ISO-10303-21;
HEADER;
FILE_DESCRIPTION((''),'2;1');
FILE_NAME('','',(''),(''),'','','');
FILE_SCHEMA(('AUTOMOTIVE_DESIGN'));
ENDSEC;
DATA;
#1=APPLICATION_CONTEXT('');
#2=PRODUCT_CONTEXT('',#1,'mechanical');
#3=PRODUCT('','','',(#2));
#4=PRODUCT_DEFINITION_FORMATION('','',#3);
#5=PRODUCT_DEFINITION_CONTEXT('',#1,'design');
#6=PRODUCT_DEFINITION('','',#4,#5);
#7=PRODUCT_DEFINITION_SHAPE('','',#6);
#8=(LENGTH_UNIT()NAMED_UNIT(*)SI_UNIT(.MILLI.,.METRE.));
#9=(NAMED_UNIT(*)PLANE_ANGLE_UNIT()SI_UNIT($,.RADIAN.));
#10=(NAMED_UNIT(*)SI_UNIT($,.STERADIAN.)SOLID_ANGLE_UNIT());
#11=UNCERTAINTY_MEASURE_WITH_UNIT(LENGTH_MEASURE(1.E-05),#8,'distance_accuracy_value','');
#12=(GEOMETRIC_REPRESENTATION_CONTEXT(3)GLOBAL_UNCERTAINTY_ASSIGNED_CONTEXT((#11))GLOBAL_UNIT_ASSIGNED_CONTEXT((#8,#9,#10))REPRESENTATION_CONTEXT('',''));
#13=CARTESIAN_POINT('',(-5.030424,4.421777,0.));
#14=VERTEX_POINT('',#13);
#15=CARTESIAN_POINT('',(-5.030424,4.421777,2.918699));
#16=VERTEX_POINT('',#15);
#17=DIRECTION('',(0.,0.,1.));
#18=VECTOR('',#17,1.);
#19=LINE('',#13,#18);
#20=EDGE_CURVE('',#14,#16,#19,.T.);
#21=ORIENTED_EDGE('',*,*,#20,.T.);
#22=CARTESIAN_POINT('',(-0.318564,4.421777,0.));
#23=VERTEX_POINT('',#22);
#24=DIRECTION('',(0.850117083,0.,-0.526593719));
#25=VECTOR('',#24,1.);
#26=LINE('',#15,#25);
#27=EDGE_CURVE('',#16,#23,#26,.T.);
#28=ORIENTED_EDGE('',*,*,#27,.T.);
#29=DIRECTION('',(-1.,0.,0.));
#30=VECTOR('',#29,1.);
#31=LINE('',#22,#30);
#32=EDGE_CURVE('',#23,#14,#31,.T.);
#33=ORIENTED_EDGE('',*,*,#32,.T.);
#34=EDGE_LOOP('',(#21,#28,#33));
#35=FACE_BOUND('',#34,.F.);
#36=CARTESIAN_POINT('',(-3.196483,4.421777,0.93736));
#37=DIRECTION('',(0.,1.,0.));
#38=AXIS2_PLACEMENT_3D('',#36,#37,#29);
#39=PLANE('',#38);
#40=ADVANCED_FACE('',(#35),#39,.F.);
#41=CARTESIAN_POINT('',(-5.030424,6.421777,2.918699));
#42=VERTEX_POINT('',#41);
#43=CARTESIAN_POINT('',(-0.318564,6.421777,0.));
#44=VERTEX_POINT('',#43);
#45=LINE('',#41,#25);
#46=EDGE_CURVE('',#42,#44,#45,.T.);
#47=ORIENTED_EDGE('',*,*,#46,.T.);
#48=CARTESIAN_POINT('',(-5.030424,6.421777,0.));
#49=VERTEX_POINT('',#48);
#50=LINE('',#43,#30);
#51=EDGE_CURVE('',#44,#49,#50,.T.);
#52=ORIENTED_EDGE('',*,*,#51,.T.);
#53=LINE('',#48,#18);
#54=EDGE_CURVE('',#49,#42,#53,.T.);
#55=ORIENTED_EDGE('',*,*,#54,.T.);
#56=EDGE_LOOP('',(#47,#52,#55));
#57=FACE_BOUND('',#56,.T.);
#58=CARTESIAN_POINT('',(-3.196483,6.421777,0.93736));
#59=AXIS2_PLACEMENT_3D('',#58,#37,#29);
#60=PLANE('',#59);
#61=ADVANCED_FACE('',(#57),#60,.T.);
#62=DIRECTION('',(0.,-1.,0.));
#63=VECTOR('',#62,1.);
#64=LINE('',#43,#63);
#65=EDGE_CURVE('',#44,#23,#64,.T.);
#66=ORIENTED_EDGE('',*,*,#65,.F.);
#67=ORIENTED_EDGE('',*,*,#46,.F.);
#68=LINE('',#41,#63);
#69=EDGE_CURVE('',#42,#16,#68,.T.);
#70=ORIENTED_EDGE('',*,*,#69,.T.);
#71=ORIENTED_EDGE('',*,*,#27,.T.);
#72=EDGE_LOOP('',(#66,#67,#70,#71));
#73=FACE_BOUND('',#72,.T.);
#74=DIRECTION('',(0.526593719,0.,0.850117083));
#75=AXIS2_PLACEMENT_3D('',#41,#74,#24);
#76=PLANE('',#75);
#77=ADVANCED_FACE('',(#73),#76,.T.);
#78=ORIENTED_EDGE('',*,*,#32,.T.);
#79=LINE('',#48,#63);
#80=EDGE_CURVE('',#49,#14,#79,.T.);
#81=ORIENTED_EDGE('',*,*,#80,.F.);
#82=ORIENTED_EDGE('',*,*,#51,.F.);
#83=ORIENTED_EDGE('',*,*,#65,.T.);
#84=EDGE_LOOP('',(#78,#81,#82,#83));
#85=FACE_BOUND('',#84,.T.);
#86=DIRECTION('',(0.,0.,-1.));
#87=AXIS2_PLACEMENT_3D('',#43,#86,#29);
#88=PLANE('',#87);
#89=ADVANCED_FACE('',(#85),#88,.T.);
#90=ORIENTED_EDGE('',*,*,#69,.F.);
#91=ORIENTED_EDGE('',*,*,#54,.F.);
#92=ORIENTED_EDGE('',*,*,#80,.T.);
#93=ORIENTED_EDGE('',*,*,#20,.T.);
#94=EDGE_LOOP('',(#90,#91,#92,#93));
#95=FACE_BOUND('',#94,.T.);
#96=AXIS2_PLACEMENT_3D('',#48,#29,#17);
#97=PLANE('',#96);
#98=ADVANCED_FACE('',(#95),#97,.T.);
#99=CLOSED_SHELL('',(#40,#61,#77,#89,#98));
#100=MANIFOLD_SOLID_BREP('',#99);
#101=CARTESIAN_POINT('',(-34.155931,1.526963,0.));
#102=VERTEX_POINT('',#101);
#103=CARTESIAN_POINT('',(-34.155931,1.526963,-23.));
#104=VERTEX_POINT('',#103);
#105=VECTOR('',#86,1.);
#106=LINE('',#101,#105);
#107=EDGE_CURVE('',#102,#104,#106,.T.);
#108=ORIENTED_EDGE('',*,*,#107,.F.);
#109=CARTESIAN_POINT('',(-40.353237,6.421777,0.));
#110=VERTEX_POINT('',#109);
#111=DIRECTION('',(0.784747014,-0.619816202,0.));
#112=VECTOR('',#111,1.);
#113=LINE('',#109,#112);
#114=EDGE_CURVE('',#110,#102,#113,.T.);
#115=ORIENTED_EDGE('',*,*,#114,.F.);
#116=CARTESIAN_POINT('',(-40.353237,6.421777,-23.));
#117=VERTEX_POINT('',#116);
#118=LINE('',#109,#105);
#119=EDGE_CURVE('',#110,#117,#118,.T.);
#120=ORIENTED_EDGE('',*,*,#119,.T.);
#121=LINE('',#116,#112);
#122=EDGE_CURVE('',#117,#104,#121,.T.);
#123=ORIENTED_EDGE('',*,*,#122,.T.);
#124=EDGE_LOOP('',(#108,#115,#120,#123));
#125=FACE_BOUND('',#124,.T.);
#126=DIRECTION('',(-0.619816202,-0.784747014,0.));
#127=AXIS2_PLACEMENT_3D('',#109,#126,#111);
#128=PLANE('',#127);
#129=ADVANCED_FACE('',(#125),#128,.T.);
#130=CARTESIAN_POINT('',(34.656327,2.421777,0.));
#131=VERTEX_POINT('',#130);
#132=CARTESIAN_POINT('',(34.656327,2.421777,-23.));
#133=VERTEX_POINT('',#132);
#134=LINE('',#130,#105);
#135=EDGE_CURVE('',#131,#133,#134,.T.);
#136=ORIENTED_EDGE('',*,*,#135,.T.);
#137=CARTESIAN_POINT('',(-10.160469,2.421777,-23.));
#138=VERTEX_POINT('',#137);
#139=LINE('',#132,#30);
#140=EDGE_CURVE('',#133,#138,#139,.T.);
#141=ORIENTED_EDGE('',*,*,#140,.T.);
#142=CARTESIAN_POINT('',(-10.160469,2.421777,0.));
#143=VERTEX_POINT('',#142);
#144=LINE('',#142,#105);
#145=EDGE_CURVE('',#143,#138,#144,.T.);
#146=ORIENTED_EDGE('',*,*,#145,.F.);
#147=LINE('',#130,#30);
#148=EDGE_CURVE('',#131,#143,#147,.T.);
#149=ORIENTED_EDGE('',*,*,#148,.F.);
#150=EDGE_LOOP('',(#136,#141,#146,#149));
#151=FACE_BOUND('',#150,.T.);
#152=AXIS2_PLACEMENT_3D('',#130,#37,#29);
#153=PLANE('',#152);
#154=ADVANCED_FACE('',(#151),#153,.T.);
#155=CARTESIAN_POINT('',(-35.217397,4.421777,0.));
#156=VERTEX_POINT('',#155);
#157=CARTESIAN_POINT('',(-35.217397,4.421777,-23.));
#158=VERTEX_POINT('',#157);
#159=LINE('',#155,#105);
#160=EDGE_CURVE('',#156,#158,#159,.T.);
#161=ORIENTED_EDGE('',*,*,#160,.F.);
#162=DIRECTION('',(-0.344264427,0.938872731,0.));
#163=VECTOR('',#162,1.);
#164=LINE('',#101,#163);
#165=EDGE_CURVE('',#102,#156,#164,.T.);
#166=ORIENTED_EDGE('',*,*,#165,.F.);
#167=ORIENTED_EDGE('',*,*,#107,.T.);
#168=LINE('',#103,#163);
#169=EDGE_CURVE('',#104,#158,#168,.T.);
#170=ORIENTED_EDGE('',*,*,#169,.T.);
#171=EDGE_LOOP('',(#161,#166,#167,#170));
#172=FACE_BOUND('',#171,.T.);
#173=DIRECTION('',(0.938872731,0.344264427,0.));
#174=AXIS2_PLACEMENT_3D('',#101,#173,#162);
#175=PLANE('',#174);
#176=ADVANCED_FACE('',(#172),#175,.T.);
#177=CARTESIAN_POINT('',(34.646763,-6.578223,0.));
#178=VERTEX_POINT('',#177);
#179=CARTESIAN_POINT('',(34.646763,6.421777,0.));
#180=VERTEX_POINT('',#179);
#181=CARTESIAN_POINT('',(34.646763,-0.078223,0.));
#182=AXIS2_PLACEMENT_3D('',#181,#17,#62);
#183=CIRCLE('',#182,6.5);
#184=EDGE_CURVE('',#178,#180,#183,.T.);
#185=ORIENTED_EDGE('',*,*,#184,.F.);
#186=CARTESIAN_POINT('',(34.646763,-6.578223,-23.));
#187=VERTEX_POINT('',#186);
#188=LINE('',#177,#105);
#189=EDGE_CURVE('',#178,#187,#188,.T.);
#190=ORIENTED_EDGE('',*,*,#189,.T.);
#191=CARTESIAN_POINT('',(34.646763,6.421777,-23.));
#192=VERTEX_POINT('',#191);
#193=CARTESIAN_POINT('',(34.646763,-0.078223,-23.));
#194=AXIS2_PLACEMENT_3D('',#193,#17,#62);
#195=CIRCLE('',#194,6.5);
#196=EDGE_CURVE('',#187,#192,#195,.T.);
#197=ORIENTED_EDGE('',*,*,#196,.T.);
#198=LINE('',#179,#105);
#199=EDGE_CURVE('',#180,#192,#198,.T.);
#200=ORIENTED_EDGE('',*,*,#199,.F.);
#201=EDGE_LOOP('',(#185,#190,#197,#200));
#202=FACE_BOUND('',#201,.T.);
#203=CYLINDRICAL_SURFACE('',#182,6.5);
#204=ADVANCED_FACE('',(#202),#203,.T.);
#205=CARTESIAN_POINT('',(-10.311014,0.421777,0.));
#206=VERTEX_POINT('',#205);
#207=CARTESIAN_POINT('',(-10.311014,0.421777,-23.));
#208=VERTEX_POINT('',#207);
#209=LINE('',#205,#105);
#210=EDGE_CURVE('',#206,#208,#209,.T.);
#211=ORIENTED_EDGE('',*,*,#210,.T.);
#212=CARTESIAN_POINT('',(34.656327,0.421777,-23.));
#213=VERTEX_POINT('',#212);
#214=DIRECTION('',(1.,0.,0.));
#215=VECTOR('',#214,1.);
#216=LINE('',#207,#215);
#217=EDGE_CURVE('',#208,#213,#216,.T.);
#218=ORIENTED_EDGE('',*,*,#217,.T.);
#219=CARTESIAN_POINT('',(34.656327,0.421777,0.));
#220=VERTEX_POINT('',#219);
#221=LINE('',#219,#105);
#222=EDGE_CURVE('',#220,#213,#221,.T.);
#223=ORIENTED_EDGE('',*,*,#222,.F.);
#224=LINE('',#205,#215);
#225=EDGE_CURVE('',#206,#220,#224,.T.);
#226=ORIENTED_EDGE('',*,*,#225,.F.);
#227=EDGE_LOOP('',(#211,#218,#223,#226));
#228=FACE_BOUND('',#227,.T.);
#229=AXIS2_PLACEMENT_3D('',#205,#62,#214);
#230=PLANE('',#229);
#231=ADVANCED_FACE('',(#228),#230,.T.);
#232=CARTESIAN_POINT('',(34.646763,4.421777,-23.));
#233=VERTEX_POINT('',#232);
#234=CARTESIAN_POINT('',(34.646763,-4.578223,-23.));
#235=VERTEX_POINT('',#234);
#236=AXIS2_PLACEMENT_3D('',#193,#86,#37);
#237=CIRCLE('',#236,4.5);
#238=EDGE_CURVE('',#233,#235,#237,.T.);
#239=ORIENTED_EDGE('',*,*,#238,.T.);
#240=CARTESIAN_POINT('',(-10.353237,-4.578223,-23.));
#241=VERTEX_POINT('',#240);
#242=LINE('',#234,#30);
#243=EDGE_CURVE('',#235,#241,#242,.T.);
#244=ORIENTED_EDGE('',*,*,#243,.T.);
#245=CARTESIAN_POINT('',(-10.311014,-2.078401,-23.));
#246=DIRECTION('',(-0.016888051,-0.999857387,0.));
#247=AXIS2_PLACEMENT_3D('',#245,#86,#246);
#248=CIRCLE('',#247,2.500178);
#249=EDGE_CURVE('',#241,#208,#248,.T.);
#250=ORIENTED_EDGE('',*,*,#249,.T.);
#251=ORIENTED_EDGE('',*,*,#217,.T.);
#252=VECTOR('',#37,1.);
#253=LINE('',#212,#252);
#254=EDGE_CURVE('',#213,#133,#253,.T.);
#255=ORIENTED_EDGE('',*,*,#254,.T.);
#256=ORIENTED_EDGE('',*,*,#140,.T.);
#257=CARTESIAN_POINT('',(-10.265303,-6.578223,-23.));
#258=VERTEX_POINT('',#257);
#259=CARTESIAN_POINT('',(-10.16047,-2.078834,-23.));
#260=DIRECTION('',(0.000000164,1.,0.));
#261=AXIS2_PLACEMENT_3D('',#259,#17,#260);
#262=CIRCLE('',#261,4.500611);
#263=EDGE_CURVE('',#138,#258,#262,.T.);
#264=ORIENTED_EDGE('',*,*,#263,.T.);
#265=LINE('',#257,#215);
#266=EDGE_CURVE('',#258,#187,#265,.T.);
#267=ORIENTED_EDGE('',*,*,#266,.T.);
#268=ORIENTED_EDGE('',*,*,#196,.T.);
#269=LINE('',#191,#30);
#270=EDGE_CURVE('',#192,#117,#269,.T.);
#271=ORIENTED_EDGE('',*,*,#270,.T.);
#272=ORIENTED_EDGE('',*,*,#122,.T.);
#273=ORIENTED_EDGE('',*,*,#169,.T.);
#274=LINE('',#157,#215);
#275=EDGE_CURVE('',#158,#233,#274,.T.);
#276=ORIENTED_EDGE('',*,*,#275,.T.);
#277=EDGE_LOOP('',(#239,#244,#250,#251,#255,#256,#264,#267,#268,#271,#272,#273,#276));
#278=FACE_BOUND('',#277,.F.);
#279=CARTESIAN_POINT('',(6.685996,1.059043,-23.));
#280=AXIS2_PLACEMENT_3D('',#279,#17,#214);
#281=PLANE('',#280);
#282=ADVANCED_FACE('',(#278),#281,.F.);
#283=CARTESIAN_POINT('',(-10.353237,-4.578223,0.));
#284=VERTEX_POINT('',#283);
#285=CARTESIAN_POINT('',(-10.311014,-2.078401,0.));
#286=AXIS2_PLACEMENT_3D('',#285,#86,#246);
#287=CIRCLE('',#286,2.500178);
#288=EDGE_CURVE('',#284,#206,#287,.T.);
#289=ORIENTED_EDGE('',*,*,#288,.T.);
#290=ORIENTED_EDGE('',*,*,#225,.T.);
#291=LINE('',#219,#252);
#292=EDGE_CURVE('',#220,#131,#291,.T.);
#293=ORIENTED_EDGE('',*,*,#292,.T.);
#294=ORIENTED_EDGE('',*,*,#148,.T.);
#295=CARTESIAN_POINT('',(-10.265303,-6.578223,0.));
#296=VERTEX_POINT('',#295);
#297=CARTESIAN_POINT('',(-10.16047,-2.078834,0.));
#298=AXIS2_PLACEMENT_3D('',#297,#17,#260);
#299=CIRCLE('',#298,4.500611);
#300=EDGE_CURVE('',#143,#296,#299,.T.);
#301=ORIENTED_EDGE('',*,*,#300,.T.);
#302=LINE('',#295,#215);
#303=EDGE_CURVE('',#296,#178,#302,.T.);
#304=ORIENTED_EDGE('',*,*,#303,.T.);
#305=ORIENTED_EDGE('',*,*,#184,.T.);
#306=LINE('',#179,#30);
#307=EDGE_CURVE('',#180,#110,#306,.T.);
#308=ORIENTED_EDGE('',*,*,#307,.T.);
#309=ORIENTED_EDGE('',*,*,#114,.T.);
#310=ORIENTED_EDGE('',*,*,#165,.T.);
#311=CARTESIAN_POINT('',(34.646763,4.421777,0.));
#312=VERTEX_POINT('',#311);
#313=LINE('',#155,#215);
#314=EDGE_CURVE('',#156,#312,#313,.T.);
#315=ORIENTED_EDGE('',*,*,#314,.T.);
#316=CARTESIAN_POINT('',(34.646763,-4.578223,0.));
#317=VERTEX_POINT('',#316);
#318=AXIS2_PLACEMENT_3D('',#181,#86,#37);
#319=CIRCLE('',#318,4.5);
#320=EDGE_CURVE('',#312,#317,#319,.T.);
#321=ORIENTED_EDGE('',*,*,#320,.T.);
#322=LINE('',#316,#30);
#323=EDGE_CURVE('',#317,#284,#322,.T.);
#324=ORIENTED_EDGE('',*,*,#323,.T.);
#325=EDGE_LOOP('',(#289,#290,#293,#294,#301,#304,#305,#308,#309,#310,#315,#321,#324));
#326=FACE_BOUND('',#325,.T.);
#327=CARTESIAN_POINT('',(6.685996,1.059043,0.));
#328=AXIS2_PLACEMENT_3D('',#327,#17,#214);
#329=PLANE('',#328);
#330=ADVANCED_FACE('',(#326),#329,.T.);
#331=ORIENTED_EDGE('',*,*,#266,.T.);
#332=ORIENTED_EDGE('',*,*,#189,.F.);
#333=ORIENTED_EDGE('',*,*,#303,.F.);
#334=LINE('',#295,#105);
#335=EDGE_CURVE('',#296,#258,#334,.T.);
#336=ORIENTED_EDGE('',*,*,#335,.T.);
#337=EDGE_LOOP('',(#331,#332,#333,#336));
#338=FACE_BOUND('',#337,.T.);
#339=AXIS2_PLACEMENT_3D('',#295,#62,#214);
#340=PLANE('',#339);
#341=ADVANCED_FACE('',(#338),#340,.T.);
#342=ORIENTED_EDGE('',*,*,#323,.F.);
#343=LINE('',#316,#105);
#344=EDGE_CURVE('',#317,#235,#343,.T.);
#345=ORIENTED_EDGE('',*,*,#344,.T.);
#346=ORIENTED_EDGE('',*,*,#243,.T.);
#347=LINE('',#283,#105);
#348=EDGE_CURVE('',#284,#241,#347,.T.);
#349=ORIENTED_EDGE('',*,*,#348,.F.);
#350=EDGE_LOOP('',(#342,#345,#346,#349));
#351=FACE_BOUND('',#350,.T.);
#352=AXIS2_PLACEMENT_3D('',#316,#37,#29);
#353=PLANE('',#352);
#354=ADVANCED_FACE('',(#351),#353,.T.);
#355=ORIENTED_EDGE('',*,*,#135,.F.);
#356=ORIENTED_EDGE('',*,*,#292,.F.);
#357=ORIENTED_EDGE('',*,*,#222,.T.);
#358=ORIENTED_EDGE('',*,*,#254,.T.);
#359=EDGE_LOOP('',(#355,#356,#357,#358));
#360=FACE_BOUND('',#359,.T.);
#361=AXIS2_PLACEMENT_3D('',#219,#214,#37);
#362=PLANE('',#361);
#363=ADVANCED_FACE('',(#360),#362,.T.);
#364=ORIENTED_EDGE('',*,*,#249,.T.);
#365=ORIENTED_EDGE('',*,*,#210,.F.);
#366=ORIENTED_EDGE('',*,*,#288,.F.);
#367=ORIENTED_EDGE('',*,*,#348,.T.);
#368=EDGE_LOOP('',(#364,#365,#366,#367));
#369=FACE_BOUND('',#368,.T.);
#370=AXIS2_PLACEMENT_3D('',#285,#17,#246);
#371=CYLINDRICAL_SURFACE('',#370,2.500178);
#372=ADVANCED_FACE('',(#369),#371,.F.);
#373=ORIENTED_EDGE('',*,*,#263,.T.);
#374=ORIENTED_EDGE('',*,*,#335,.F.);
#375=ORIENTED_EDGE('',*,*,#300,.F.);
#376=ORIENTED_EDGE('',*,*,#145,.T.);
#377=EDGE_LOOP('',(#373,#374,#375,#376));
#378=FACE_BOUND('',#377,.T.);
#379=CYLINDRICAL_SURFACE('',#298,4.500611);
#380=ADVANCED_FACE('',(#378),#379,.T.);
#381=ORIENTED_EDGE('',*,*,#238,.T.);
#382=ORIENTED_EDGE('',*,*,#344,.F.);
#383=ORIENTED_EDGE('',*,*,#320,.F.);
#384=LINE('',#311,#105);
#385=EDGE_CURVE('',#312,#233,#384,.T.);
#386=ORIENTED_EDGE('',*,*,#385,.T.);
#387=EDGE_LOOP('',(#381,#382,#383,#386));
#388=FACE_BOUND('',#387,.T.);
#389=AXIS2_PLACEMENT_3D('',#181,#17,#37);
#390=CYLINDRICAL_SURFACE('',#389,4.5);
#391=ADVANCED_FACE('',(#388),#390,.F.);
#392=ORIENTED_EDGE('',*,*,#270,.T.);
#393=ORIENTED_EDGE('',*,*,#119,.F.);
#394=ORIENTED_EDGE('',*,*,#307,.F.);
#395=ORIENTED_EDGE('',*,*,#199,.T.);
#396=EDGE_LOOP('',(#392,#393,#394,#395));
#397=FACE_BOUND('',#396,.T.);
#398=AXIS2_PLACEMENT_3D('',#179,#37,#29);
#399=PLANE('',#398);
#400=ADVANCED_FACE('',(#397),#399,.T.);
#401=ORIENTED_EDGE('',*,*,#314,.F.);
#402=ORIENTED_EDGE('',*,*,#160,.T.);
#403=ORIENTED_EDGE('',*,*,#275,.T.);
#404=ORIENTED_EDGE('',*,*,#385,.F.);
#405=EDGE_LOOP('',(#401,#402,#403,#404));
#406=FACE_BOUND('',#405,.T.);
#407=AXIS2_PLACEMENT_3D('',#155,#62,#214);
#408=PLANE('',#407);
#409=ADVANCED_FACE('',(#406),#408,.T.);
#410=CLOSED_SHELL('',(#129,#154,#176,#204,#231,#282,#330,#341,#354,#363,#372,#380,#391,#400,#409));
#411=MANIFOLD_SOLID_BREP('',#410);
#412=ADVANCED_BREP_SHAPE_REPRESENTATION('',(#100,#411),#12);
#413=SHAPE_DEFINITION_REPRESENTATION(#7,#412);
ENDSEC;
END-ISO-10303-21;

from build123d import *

# Parameters (mm, degrees)
F1_DEPTH = 23
F3_DEPTH = 2


with BuildPart() as f1:
    # F0 (on Top) → F1 (new body)
    with BuildSketch(Plane.XY):
        with BuildLine():
            Line((-34.155931, 1.526963), (-35.217397, 4.421777))
            Line((-35.217397, 4.421777), (34.646763, 4.421777))
            ThreePointArc((34.646763, 4.421777), (39.146763, -0.078223), (34.646763, -4.578223))
            Line((34.646763, -4.578223), (-10.353237, -4.578223))
            ThreePointArc((-10.353237, -4.578223), (-12.811103, -2.057289), (-10.311014, 0.421777))
            Line((-10.311014, 0.421777), (34.656327, 0.421777))
            Line((34.656327, 0.421777), (34.656327, 2.421777))
            Line((34.656327, 2.421777), (-10.160469, 2.421777))
            ThreePointArc((-10.160469, 2.421777), (-14.660775, -2.026413), (-10.265303, -6.578223))
            Line((-10.265303, -6.578223), (34.646763, -6.578223))
            ThreePointArc((34.646763, -6.578223), (41.146763, -0.078223), (34.646763, 6.421777))
            Line((34.646763, 6.421777), (-40.353237, 6.421777))
            Line((-40.353237, 6.421777), (-34.155931, 1.526963))
        make_face()
    extrude(amount=-F1_DEPTH)


with BuildPart() as f3:
    # F2 (on face) → F3 (new body)
    with BuildSketch(Plane(origin=(0, 6.421777, 0), x_dir=(-1, 0, 0), z_dir=(0, 1, 0))):
        Polygon((0.318564, 0), (5.030424, 0), (5.030424, 2.918699), align=None)
    extrude(amount=-F3_DEPTH)


solid = Compound([f1.part, f3.part])
